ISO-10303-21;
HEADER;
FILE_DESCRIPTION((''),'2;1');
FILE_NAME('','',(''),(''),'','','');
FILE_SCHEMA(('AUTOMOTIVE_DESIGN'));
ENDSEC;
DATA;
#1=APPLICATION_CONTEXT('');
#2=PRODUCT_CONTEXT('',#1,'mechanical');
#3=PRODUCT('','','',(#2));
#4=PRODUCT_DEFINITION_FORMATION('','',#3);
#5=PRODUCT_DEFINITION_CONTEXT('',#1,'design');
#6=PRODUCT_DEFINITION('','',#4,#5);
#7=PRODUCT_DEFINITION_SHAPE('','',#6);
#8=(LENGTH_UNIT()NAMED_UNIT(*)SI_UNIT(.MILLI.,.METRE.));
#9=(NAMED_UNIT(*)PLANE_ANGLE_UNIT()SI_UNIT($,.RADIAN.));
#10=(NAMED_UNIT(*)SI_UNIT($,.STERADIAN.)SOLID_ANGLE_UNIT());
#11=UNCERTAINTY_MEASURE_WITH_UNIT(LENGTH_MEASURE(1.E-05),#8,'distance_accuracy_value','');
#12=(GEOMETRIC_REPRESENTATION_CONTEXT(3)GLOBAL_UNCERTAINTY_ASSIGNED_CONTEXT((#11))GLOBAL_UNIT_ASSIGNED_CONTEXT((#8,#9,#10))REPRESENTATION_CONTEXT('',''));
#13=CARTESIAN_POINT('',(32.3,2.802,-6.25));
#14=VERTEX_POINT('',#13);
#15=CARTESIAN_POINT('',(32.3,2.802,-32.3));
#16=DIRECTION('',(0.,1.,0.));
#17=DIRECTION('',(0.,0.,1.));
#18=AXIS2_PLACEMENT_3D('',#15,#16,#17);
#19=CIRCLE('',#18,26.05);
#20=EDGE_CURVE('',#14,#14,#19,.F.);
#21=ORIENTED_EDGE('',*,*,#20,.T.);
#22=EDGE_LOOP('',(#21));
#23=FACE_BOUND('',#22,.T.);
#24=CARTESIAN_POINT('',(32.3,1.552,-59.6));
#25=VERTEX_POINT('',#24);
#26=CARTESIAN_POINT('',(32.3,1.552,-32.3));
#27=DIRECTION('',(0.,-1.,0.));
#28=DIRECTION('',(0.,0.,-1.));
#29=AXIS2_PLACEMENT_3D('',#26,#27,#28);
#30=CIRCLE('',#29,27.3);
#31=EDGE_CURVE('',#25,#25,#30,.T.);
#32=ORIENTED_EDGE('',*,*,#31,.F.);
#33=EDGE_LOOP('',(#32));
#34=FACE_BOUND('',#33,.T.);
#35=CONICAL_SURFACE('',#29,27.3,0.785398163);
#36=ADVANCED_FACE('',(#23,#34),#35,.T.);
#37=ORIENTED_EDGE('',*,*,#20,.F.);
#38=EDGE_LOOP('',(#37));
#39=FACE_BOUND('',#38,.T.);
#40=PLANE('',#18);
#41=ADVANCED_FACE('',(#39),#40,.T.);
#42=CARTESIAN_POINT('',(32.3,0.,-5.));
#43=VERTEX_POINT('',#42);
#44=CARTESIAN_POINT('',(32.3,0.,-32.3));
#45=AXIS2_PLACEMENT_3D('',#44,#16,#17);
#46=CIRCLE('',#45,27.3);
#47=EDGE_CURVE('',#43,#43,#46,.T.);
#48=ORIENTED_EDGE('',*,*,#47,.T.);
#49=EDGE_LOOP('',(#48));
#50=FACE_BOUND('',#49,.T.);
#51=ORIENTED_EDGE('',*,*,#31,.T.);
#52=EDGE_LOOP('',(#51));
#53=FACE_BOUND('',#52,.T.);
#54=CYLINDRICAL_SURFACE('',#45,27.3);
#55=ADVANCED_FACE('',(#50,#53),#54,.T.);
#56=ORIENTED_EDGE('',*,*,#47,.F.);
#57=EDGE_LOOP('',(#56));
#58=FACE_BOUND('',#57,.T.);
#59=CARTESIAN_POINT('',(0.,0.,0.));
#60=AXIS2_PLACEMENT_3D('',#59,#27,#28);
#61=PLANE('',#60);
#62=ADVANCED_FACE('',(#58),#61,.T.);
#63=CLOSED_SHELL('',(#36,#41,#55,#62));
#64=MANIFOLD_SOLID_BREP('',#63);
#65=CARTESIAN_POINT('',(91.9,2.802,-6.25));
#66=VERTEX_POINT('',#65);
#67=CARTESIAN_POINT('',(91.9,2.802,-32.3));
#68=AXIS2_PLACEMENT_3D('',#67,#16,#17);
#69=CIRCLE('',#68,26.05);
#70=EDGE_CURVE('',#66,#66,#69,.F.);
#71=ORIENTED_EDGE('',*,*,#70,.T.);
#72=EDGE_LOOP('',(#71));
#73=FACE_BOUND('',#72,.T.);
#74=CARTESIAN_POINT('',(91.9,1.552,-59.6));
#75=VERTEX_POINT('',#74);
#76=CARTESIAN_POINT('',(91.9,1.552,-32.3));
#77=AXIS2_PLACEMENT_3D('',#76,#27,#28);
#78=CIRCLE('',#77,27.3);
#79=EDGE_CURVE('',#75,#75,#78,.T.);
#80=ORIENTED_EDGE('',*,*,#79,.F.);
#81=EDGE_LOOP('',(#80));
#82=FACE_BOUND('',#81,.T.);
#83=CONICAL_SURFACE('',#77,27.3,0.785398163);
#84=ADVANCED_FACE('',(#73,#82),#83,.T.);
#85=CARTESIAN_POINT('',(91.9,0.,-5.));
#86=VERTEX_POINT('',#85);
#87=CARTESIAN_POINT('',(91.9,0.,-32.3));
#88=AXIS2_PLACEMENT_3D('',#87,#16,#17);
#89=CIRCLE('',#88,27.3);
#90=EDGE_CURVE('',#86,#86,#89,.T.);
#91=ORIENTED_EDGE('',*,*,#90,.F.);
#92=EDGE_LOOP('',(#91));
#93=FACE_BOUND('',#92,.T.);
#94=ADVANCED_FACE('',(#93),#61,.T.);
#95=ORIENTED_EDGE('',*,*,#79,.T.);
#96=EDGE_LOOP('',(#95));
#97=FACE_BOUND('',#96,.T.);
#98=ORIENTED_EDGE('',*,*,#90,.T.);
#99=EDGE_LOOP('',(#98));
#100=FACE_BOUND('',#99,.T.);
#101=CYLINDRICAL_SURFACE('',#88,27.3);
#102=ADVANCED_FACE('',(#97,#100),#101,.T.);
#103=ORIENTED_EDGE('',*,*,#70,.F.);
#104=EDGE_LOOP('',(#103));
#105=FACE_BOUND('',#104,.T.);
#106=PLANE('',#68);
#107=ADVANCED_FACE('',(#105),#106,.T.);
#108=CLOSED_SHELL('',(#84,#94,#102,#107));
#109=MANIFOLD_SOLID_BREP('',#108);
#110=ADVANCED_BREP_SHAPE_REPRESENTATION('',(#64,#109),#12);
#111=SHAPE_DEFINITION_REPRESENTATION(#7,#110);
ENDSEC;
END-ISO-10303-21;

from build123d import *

# Parameters (mm, degrees)
SKETCH1_W                         = 152.4
SKETCH1_H                         = 84.074
STOCK_DEPTH                       = 3.302
SKETCH2_W                         = 152.4
SKETCH2_H                         = 84.074
SKETCH2_R                         = 27.3
DISKS_CLEAROUT_DEPTH              = 1
DISKS_CLEAROUT_DEPTH_BACK         = 4.302
DISK0_CHAM0_SIZE                  = 1.75
DISK1_CHAM1_SIZE                  = 1.75
SKETCH3_R                         = 27.3
TOPSURFACE_SURFACEPREP_DEPTH      = 1
TOPSURFACE_SURFACEPREP_DEPTH_BACK = 0.5


with BuildPart() as part:
    # Sketch1 → stock (new body)
    with BuildSketch(Plane(origin=(0, 0, 0), x_dir=(1, 0, 0), z_dir=(0, 1, 0))):
        with Locations((76.2, 42.037)):
            Rectangle(SKETCH1_W, SKETCH1_H)
    extrude(amount=STOCK_DEPTH)

    # Sketch2 → disks-clearout (cut, two sides)
    with BuildSketch(Plane(origin=(0, 3.302, 0), x_dir=(1, 0, 0), z_dir=(0, 1, 0))) as disks_clearout_sk:
        with Locations((76.2, 42.037)):
            Rectangle(SKETCH2_W, SKETCH2_H)
        with Locations((91.9, 32.3)):
            Circle(SKETCH2_R, mode=Mode.SUBTRACT)
        with Locations((32.3, 32.3)):
            Circle(SKETCH2_R, mode=Mode.SUBTRACT)
    extrude(amount=DISKS_CLEAROUT_DEPTH, mode=Mode.SUBTRACT)
    extrude(disks_clearout_sk.sketch, amount=-DISKS_CLEAROUT_DEPTH_BACK, mode=Mode.SUBTRACT)

    # disk0-cham0
    disk0_cham0_edges = [part.edges().sort_by_distance(p)[0] for p in [
        (5, 3.302, -32.3),
    ]]
    chamfer(disk0_cham0_edges, length=DISK0_CHAM0_SIZE)

    # disk1-cham1
    disk1_cham1_edges = [part.edges().sort_by_distance(p)[0] for p in [
        (64.6, 3.302, -32.3),
    ]]
    chamfer(disk1_cham1_edges, length=DISK1_CHAM1_SIZE)

    # Sketch3 → topsurface_surfaceprep (cut, two sides)
    with BuildSketch(Plane(origin=(0, 3.302, 0), x_dir=(1, 0, 0), z_dir=(0, 1, 0))) as topsurface_surfaceprep_sk:
        with Locations((32.3, 32.3)):
            Circle(SKETCH3_R)
        with Locations((91.9, 32.3)):
            Circle(SKETCH3_R)
    extrude(amount=TOPSURFACE_SURFACEPREP_DEPTH, mode=Mode.SUBTRACT)
    extrude(topsurface_surfaceprep_sk.sketch, amount=-TOPSURFACE_SURFACEPREP_DEPTH_BACK, mode=Mode.SUBTRACT)


solid = part.part
